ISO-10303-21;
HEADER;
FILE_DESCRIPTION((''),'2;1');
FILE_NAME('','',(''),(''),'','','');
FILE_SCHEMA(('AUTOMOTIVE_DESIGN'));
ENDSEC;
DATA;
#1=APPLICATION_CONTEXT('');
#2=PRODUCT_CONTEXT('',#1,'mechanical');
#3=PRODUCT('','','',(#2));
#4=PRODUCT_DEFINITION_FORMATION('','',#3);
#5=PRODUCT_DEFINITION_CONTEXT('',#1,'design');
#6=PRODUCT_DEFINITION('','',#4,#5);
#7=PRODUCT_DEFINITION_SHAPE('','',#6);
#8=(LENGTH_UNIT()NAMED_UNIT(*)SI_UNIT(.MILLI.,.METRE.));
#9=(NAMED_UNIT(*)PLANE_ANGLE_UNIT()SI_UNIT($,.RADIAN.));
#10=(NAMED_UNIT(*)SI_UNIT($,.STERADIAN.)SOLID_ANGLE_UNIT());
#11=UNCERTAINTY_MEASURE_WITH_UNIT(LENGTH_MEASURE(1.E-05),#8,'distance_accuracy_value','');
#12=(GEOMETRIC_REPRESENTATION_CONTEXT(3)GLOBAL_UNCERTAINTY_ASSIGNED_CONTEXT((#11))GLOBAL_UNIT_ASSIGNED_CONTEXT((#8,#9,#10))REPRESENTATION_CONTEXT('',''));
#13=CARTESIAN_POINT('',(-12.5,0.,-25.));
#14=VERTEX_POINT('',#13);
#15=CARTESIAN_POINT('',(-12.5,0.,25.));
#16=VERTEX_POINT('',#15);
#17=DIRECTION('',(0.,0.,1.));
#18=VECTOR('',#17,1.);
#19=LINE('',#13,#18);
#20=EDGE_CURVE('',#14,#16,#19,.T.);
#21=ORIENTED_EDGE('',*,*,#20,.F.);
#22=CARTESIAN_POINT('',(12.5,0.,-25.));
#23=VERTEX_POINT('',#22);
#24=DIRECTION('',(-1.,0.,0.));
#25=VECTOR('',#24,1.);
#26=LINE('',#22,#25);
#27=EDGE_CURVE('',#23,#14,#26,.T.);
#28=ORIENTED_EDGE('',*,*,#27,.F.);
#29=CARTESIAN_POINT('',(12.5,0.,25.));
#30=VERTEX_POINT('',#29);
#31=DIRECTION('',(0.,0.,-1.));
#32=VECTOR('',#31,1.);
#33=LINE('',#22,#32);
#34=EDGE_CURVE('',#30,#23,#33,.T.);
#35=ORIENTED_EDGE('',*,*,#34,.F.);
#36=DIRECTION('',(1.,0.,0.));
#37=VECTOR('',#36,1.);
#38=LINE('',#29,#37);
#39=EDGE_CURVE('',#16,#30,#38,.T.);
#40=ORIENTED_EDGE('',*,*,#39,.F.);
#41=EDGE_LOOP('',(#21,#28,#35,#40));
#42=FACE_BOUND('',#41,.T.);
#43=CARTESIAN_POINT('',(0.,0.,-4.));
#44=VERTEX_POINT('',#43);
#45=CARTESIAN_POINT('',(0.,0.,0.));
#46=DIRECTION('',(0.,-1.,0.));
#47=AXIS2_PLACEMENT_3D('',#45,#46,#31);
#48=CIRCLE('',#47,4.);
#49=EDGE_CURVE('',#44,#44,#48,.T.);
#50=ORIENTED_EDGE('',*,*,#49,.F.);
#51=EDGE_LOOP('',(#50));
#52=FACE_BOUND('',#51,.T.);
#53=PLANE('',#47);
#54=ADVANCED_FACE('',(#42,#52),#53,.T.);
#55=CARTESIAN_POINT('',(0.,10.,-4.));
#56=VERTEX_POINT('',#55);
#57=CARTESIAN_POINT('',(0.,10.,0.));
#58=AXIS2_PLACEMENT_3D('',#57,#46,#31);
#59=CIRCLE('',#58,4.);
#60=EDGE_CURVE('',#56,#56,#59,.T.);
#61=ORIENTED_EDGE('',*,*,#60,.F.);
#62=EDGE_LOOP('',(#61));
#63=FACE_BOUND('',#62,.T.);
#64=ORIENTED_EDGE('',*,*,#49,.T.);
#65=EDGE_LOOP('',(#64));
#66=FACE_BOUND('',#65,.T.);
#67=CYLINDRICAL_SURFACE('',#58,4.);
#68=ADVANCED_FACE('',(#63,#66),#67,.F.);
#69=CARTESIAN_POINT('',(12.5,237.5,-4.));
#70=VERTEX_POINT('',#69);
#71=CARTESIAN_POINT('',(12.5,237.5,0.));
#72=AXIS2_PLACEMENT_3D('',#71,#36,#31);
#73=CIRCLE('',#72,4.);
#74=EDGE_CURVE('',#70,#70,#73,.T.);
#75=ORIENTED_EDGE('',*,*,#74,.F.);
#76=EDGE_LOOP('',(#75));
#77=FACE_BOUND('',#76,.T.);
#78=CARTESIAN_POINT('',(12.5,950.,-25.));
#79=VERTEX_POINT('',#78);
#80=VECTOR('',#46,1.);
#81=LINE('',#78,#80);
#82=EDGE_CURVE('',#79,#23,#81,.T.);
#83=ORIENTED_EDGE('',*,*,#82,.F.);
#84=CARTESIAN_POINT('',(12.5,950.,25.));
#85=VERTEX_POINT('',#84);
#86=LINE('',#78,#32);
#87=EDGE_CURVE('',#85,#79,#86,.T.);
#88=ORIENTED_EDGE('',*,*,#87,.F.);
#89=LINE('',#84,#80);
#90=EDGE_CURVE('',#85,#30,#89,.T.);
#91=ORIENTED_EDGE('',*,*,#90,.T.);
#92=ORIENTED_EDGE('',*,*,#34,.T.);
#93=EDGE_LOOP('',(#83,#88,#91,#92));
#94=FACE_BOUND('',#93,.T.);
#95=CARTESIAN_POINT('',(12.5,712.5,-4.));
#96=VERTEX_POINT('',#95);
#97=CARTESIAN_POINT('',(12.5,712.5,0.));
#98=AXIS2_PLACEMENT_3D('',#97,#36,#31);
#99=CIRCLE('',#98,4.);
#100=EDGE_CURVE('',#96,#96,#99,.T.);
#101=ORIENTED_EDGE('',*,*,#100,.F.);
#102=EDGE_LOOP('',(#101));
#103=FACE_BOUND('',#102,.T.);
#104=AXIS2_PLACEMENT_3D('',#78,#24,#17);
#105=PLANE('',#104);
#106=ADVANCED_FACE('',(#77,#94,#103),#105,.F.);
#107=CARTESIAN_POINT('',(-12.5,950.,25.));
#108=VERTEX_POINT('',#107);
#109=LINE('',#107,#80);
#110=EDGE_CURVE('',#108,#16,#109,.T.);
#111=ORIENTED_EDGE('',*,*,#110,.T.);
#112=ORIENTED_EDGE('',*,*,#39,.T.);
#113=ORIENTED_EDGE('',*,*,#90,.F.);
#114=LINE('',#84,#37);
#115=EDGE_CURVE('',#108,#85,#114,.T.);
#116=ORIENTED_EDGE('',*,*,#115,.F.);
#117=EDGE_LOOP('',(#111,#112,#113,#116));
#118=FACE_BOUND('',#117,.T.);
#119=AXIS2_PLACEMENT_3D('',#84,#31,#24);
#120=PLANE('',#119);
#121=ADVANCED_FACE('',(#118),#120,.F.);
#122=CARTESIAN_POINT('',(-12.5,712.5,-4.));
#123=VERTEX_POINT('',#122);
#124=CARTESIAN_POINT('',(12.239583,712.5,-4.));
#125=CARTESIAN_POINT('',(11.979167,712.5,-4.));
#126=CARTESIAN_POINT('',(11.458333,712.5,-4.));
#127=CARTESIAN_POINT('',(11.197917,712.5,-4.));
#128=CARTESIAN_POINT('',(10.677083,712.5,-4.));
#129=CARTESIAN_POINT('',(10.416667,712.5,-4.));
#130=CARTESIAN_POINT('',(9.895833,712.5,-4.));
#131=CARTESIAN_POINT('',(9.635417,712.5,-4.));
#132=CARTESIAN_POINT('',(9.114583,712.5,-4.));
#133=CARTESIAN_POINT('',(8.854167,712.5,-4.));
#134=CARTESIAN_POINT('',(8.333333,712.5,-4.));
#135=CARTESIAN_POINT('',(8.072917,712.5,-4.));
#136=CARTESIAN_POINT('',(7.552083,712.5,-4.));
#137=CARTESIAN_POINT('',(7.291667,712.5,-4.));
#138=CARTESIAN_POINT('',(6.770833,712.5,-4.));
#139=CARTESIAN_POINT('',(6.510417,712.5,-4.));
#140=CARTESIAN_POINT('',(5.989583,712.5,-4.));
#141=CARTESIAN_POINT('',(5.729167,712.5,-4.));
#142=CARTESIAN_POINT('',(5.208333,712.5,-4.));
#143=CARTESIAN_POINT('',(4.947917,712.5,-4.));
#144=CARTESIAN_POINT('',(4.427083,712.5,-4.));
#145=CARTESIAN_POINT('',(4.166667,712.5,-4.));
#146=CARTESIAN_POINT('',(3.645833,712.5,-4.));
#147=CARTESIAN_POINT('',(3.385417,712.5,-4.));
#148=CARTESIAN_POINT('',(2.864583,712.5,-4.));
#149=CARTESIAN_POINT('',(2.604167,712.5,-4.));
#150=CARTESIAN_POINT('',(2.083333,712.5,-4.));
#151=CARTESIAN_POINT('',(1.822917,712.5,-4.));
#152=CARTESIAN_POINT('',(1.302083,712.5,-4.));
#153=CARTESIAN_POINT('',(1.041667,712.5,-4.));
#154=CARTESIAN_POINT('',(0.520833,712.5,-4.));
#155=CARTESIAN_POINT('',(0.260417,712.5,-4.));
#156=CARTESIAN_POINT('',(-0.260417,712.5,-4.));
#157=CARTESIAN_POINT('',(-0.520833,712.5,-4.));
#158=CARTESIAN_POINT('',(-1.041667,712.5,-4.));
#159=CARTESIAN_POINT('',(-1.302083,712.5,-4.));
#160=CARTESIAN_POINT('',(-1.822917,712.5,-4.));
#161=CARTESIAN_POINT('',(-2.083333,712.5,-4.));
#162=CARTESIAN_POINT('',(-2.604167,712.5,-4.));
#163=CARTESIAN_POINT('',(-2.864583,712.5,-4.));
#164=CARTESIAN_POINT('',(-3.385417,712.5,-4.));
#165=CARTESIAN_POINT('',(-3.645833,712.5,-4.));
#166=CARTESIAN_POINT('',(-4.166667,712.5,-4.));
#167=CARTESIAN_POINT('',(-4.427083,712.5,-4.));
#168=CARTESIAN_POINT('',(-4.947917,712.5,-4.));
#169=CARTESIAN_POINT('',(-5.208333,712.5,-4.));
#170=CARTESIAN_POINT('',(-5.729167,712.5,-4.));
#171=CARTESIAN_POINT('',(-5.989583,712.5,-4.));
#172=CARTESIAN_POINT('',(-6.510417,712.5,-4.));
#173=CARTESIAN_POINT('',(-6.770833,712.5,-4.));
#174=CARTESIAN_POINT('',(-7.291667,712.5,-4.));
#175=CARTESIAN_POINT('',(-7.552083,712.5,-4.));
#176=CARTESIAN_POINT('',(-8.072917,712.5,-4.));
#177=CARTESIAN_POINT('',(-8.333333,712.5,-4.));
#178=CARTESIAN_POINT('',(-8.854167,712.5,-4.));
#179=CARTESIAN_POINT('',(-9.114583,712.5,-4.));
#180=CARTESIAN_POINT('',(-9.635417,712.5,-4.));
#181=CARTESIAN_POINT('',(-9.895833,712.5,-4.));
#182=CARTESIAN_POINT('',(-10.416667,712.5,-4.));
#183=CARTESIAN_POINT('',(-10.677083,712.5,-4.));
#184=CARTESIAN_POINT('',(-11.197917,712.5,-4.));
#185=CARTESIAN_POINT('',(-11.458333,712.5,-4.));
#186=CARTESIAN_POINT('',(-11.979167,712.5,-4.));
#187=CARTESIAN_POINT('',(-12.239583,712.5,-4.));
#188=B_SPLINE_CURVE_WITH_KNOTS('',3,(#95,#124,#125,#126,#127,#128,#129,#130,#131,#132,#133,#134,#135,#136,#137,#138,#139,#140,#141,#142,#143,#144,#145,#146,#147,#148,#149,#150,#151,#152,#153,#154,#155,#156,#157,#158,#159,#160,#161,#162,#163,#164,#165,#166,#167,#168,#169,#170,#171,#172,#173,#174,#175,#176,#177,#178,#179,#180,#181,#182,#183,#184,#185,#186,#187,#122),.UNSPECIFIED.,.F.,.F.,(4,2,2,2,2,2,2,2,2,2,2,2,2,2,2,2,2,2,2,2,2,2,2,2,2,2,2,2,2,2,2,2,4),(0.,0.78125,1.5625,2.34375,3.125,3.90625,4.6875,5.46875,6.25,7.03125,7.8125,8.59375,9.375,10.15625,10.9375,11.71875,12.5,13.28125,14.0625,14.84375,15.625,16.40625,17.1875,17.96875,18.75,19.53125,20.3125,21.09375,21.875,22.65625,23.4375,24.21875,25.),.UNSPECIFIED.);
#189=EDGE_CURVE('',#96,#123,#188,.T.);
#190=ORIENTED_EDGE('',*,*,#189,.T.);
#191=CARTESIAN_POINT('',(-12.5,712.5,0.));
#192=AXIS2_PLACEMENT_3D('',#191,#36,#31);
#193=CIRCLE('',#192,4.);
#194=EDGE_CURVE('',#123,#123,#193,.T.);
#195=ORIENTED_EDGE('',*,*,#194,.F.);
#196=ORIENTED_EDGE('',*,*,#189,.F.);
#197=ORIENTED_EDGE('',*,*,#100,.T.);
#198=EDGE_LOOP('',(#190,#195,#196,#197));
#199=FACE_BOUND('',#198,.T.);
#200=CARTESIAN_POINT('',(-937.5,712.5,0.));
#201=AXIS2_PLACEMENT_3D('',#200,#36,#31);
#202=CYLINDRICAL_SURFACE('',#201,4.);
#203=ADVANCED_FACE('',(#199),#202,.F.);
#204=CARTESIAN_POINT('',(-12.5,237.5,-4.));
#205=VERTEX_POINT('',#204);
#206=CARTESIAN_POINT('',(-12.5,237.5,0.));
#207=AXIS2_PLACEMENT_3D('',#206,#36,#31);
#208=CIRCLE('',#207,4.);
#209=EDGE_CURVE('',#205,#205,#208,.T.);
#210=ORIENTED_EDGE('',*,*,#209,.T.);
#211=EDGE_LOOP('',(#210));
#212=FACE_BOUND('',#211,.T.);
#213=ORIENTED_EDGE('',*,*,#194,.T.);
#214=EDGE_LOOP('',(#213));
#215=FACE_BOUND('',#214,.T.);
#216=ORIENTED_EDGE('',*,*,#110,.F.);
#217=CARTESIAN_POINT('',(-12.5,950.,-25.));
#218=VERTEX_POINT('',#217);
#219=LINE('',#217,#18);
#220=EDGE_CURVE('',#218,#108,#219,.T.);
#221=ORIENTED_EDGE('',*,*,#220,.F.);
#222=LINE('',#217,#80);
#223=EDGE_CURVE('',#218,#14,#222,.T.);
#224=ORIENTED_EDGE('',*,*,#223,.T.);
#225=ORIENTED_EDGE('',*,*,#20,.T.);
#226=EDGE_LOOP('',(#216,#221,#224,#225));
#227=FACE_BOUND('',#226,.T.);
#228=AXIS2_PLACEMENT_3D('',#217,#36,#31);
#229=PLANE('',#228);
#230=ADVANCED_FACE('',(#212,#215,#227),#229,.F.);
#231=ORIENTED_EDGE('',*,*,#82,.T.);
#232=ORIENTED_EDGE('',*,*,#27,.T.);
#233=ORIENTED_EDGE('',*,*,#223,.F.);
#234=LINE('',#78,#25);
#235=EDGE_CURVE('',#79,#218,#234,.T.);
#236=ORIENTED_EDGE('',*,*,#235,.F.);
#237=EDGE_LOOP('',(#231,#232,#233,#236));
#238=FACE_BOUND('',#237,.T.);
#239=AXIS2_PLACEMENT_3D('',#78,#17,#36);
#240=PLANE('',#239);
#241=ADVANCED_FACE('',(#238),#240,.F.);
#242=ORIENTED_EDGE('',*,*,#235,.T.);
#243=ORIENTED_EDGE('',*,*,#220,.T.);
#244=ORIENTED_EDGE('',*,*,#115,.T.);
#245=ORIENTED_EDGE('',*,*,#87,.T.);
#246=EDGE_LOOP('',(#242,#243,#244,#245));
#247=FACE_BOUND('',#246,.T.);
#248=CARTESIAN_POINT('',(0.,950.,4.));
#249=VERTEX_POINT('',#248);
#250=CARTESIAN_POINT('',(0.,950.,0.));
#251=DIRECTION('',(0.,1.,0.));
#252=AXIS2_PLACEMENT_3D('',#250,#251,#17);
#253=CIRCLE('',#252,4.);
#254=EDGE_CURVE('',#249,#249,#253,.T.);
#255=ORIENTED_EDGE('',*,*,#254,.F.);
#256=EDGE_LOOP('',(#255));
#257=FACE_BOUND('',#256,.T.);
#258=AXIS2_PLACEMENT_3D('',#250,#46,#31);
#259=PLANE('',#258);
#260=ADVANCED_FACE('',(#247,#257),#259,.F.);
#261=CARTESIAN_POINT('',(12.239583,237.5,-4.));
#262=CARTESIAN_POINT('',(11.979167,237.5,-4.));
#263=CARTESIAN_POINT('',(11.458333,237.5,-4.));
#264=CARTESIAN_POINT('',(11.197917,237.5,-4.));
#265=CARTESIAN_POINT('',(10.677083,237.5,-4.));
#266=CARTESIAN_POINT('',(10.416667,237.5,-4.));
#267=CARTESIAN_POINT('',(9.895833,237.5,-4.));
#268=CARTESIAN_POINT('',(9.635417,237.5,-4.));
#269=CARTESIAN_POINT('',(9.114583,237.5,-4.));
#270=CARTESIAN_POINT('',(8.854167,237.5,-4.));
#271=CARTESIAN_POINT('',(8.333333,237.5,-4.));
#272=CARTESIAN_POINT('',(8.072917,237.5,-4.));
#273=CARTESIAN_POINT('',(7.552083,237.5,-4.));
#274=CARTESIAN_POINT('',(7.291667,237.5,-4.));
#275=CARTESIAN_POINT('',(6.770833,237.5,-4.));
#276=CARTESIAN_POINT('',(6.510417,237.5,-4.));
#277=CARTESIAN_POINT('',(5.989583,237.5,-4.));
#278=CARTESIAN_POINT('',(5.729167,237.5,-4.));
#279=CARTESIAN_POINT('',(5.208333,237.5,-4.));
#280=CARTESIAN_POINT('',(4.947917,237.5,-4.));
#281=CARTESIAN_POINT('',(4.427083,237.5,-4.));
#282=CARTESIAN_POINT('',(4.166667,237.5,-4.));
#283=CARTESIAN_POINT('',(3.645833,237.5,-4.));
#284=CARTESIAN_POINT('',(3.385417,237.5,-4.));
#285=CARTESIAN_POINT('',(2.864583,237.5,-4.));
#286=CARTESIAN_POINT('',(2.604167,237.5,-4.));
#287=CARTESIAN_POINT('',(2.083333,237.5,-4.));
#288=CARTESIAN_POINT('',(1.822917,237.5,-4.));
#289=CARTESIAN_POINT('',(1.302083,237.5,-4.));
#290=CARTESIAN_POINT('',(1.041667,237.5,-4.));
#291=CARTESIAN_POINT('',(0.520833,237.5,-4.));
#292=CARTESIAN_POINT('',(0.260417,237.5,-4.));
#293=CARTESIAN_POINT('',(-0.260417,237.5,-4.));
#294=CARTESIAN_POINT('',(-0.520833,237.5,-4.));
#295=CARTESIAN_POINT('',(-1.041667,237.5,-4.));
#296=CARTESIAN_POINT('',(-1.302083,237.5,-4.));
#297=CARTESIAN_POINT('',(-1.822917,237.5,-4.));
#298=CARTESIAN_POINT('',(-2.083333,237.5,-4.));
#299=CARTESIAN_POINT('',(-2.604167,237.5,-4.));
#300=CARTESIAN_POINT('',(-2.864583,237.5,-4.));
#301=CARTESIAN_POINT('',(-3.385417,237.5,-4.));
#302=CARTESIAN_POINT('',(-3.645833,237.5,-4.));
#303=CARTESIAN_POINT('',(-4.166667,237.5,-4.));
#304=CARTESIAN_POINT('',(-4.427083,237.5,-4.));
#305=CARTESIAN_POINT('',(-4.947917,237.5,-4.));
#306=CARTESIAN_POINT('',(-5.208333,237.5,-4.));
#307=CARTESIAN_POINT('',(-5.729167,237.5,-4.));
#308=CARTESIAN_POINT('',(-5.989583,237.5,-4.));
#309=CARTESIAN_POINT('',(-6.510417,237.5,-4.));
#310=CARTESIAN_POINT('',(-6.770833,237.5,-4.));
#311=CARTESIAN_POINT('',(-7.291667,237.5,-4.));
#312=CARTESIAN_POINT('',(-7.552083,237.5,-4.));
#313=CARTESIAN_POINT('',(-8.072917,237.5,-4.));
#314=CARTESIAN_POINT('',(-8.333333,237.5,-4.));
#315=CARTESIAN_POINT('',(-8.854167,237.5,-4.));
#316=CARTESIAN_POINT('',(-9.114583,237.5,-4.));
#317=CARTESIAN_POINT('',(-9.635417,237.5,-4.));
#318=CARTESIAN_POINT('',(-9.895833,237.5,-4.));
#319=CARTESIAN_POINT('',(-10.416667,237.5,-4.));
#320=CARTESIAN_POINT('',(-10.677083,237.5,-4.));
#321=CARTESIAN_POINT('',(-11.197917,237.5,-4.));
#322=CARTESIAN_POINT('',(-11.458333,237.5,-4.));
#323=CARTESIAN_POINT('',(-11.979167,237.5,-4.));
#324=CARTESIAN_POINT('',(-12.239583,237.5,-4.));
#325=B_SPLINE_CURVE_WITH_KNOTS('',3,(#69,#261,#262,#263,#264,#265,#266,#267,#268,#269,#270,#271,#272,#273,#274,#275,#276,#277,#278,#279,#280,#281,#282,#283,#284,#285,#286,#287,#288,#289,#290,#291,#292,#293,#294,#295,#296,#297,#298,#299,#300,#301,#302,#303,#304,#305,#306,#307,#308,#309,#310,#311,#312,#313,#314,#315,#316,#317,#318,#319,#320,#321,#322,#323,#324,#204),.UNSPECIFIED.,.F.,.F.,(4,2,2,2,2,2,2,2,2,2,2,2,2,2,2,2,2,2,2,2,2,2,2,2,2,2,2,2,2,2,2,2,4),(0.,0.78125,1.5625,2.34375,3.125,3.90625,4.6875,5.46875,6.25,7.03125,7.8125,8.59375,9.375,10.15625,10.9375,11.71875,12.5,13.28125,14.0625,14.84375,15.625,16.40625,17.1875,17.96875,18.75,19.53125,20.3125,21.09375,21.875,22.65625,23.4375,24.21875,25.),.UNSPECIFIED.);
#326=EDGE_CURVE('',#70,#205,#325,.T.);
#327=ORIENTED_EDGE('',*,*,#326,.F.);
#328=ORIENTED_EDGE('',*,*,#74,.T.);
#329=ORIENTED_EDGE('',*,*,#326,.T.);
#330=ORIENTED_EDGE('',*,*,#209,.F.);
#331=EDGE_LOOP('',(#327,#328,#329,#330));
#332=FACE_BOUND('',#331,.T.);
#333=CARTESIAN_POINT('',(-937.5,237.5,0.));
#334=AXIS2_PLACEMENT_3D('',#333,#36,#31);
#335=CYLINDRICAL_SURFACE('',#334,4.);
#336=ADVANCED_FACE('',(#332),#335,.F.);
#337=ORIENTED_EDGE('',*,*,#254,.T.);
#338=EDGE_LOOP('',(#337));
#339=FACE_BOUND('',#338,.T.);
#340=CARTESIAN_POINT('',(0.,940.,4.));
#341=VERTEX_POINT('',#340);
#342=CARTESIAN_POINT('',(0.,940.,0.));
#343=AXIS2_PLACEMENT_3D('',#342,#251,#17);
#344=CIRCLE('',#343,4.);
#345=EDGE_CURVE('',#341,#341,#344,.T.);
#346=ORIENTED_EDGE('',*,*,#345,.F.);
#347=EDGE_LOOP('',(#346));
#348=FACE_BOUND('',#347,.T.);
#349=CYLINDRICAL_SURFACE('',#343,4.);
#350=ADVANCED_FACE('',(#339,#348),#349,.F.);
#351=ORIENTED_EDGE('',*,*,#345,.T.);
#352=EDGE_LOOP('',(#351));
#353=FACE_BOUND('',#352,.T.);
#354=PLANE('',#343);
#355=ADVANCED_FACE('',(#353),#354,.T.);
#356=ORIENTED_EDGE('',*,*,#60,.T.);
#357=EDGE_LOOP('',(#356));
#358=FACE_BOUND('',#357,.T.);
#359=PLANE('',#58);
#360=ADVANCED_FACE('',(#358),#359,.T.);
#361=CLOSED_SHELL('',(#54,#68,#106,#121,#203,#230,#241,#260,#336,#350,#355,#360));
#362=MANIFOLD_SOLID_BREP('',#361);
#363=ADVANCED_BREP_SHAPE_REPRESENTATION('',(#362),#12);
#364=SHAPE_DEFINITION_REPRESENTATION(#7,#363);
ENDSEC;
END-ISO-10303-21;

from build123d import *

# Parameters (mm, degrees)
SKETCH_1_W          = 25
SKETCH_1_H          = 50
EXTRUDE_1_DEPTH     = 950
SKETCH_2_R          = 4
CUT_EXTRUDE_1_DEPTH = 950
SKETCH_3_R          = 4
CUT_EXTRUDE_2_DEPTH = 10
CUT_EXTRUDE_START   = -10
SKETCH_4_R          = 4
CUT_EXTRUDE_3_DEPTH = 10


with BuildPart() as part:
    # Эскиз1 → Бобышка-Вытянуть1 (new body)
    with BuildSketch(Plane(origin=(0, 0, 0), x_dir=(1, 0, 0), z_dir=(0, 1, 0))):
        Rectangle(SKETCH_1_W, SKETCH_1_H)
    extrude(amount=EXTRUDE_1_DEPTH)

    # Эскиз2 → Вырез-Вытянуть1 (cut)
    with BuildSketch(Plane(origin=(12.5, 0, 0), x_dir=(0, 0, -1), z_dir=(1, 0, 0))):
        with Locations((0, 712.5)):
            Circle(SKETCH_2_R)
        with Locations((0, 237.5)):
            Circle(SKETCH_2_R)
    extrude(amount=-CUT_EXTRUDE_1_DEPTH, mode=Mode.SUBTRACT)

    # Эскиз3 → Вырез-Вытянуть2 (cut)
    with BuildSketch(Plane(origin=(0, 950, 0), x_dir=(1, 0, 0), z_dir=(0, 1, 0))):
        with Locations(Location((0, 0, 0), (0, 0, 270))):
            Circle(SKETCH_3_R)
    extrude(amount=-CUT_EXTRUDE_2_DEPTH, mode=Mode.SUBTRACT)

    # Эскиз4 → Вырез-Вытянуть3 (cut)
    with BuildSketch(Plane.XZ.offset(CUT_EXTRUDE_START)):
        with Locations(Location((0, 0, 0), (0, 0, 90))):
            Circle(SKETCH_4_R)
    extrude(amount=CUT_EXTRUDE_3_DEPTH, mode=Mode.SUBTRACT)


solid = part.part
